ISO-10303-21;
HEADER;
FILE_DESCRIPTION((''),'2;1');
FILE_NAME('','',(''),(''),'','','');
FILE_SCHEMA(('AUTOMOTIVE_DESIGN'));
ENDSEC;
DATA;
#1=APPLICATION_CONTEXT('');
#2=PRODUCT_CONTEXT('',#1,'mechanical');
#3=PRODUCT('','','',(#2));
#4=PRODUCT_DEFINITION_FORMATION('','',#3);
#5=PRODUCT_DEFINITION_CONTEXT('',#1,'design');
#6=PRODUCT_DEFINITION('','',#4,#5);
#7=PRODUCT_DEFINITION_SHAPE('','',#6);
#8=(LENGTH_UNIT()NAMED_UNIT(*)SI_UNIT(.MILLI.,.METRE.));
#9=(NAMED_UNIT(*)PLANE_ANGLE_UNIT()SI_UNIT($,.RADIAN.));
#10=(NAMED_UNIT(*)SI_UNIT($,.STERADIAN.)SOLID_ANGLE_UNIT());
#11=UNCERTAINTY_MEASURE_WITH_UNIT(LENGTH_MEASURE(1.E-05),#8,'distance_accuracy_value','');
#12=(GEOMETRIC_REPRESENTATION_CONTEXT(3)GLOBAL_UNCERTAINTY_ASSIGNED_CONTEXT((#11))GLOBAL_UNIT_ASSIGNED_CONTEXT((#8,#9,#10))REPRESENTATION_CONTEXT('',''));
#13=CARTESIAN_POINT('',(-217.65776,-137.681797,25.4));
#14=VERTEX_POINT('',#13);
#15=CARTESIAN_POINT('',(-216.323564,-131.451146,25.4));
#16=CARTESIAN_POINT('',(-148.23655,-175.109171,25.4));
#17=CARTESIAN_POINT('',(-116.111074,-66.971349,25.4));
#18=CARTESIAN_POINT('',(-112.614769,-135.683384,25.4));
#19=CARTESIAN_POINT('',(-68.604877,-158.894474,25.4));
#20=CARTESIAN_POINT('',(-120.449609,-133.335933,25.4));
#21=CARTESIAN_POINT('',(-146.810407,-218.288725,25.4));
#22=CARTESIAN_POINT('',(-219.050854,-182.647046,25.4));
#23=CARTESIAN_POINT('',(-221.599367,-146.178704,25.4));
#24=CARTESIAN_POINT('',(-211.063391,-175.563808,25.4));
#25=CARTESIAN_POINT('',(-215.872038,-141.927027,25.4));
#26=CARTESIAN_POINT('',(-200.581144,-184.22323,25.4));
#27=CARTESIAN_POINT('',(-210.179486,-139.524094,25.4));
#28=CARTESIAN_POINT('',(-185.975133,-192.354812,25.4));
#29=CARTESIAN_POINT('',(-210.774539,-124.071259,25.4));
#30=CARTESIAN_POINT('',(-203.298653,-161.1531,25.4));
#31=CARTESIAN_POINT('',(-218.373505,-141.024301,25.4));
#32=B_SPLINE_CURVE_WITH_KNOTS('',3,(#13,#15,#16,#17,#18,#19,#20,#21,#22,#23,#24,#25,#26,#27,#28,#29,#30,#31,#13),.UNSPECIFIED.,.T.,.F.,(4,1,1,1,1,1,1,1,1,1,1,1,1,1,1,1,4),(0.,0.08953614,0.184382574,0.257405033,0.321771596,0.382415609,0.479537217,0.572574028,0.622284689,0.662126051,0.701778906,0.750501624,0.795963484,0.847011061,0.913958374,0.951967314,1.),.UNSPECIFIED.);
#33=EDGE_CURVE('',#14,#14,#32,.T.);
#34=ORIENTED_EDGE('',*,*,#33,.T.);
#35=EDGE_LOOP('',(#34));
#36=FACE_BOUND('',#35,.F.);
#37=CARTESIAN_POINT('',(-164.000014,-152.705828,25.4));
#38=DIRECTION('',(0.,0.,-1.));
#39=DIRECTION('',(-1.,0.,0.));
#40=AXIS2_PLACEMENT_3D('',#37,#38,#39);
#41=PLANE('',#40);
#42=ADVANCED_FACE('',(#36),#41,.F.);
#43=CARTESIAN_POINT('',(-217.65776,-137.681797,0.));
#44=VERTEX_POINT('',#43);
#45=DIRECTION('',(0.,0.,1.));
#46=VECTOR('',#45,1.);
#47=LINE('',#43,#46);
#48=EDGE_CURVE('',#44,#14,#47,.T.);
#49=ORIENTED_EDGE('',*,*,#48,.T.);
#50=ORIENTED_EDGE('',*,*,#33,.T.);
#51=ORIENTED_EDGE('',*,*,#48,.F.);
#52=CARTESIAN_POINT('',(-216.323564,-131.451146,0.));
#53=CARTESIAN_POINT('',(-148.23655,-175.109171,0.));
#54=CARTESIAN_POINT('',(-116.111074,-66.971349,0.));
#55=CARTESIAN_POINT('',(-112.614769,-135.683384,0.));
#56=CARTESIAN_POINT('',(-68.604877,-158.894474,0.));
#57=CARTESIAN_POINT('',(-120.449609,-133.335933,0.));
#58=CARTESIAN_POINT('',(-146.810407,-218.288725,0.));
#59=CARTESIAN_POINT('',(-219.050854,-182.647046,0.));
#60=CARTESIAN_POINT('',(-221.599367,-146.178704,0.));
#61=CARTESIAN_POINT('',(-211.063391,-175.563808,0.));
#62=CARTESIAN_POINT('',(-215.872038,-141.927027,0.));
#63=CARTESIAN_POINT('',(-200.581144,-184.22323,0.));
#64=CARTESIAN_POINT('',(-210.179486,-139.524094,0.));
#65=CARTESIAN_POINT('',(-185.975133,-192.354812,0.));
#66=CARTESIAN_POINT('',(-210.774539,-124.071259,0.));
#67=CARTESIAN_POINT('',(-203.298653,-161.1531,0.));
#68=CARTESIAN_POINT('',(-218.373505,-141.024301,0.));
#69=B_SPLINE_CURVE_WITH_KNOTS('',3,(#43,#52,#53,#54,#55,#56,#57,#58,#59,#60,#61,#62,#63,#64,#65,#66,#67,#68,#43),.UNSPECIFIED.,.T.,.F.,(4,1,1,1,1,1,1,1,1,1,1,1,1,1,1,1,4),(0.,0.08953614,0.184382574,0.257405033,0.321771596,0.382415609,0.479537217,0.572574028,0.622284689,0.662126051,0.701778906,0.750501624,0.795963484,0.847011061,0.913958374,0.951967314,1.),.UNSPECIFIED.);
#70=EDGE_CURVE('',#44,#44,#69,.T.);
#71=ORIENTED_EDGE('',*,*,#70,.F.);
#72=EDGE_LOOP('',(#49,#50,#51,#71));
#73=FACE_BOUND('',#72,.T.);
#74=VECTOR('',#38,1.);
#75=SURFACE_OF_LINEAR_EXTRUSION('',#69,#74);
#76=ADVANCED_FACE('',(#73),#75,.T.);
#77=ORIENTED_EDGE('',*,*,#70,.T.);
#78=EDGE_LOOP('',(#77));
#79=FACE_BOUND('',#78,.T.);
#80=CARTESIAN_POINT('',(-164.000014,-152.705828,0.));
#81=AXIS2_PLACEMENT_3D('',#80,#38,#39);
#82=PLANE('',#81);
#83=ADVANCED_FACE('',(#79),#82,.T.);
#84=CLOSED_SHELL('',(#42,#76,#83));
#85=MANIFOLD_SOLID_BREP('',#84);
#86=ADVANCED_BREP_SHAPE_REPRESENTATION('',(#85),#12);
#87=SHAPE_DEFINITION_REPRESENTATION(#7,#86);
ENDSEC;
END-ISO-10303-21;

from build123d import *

# Parameters (mm, degrees)
F1_DEPTH = 25.4


with BuildPart() as f1:
    # F0 (on Top) → F1 (new body)
    with BuildSketch(Plane.XY):
        with BuildLine():
            add(Edge.make_bspline(
                [(-217.6577597857, -137.6817971468), (-216.3235637526, -131.4511455843), (-148.2365496992, -175.1091705544), (-116.1110737847, -66.9713493803), (-112.6147692071, -135.683384373), (-68.6048766005, -158.8944736518), (-120.4496088662, -133.3359326535), (-146.8104068639, -218.2887249115), (-219.0508535773, -182.6470459398), (-221.599366845, -146.1787042834), (-211.0633909422, -175.5638077428), (-215.8720378095, -141.9270270352), (-200.5811437772, -184.2232295994), (-210.1794862974, -139.5240937751), (-185.9751334912, -192.3548122866), (-210.7745386813, -124.0712589893), (-203.2986527733, -161.1531000329), (-218.3735045067, -141.0243014372), (-217.6577597857, -137.6817971468)],
                knots=[0, 0, 0, 0, 0.08953614, 0.1843825735, 0.257405033, 0.3217715956, 0.3824156092, 0.4795372166, 0.5725740283, 0.6222846888, 0.6621260508, 0.7017789063, 0.7505016243, 0.7959634841, 0.8470110607, 0.9139583745, 0.9519673137, 1, 1, 1, 1], degree=3))
        make_face()
    extrude(amount=F1_DEPTH)


solid = f1.part
